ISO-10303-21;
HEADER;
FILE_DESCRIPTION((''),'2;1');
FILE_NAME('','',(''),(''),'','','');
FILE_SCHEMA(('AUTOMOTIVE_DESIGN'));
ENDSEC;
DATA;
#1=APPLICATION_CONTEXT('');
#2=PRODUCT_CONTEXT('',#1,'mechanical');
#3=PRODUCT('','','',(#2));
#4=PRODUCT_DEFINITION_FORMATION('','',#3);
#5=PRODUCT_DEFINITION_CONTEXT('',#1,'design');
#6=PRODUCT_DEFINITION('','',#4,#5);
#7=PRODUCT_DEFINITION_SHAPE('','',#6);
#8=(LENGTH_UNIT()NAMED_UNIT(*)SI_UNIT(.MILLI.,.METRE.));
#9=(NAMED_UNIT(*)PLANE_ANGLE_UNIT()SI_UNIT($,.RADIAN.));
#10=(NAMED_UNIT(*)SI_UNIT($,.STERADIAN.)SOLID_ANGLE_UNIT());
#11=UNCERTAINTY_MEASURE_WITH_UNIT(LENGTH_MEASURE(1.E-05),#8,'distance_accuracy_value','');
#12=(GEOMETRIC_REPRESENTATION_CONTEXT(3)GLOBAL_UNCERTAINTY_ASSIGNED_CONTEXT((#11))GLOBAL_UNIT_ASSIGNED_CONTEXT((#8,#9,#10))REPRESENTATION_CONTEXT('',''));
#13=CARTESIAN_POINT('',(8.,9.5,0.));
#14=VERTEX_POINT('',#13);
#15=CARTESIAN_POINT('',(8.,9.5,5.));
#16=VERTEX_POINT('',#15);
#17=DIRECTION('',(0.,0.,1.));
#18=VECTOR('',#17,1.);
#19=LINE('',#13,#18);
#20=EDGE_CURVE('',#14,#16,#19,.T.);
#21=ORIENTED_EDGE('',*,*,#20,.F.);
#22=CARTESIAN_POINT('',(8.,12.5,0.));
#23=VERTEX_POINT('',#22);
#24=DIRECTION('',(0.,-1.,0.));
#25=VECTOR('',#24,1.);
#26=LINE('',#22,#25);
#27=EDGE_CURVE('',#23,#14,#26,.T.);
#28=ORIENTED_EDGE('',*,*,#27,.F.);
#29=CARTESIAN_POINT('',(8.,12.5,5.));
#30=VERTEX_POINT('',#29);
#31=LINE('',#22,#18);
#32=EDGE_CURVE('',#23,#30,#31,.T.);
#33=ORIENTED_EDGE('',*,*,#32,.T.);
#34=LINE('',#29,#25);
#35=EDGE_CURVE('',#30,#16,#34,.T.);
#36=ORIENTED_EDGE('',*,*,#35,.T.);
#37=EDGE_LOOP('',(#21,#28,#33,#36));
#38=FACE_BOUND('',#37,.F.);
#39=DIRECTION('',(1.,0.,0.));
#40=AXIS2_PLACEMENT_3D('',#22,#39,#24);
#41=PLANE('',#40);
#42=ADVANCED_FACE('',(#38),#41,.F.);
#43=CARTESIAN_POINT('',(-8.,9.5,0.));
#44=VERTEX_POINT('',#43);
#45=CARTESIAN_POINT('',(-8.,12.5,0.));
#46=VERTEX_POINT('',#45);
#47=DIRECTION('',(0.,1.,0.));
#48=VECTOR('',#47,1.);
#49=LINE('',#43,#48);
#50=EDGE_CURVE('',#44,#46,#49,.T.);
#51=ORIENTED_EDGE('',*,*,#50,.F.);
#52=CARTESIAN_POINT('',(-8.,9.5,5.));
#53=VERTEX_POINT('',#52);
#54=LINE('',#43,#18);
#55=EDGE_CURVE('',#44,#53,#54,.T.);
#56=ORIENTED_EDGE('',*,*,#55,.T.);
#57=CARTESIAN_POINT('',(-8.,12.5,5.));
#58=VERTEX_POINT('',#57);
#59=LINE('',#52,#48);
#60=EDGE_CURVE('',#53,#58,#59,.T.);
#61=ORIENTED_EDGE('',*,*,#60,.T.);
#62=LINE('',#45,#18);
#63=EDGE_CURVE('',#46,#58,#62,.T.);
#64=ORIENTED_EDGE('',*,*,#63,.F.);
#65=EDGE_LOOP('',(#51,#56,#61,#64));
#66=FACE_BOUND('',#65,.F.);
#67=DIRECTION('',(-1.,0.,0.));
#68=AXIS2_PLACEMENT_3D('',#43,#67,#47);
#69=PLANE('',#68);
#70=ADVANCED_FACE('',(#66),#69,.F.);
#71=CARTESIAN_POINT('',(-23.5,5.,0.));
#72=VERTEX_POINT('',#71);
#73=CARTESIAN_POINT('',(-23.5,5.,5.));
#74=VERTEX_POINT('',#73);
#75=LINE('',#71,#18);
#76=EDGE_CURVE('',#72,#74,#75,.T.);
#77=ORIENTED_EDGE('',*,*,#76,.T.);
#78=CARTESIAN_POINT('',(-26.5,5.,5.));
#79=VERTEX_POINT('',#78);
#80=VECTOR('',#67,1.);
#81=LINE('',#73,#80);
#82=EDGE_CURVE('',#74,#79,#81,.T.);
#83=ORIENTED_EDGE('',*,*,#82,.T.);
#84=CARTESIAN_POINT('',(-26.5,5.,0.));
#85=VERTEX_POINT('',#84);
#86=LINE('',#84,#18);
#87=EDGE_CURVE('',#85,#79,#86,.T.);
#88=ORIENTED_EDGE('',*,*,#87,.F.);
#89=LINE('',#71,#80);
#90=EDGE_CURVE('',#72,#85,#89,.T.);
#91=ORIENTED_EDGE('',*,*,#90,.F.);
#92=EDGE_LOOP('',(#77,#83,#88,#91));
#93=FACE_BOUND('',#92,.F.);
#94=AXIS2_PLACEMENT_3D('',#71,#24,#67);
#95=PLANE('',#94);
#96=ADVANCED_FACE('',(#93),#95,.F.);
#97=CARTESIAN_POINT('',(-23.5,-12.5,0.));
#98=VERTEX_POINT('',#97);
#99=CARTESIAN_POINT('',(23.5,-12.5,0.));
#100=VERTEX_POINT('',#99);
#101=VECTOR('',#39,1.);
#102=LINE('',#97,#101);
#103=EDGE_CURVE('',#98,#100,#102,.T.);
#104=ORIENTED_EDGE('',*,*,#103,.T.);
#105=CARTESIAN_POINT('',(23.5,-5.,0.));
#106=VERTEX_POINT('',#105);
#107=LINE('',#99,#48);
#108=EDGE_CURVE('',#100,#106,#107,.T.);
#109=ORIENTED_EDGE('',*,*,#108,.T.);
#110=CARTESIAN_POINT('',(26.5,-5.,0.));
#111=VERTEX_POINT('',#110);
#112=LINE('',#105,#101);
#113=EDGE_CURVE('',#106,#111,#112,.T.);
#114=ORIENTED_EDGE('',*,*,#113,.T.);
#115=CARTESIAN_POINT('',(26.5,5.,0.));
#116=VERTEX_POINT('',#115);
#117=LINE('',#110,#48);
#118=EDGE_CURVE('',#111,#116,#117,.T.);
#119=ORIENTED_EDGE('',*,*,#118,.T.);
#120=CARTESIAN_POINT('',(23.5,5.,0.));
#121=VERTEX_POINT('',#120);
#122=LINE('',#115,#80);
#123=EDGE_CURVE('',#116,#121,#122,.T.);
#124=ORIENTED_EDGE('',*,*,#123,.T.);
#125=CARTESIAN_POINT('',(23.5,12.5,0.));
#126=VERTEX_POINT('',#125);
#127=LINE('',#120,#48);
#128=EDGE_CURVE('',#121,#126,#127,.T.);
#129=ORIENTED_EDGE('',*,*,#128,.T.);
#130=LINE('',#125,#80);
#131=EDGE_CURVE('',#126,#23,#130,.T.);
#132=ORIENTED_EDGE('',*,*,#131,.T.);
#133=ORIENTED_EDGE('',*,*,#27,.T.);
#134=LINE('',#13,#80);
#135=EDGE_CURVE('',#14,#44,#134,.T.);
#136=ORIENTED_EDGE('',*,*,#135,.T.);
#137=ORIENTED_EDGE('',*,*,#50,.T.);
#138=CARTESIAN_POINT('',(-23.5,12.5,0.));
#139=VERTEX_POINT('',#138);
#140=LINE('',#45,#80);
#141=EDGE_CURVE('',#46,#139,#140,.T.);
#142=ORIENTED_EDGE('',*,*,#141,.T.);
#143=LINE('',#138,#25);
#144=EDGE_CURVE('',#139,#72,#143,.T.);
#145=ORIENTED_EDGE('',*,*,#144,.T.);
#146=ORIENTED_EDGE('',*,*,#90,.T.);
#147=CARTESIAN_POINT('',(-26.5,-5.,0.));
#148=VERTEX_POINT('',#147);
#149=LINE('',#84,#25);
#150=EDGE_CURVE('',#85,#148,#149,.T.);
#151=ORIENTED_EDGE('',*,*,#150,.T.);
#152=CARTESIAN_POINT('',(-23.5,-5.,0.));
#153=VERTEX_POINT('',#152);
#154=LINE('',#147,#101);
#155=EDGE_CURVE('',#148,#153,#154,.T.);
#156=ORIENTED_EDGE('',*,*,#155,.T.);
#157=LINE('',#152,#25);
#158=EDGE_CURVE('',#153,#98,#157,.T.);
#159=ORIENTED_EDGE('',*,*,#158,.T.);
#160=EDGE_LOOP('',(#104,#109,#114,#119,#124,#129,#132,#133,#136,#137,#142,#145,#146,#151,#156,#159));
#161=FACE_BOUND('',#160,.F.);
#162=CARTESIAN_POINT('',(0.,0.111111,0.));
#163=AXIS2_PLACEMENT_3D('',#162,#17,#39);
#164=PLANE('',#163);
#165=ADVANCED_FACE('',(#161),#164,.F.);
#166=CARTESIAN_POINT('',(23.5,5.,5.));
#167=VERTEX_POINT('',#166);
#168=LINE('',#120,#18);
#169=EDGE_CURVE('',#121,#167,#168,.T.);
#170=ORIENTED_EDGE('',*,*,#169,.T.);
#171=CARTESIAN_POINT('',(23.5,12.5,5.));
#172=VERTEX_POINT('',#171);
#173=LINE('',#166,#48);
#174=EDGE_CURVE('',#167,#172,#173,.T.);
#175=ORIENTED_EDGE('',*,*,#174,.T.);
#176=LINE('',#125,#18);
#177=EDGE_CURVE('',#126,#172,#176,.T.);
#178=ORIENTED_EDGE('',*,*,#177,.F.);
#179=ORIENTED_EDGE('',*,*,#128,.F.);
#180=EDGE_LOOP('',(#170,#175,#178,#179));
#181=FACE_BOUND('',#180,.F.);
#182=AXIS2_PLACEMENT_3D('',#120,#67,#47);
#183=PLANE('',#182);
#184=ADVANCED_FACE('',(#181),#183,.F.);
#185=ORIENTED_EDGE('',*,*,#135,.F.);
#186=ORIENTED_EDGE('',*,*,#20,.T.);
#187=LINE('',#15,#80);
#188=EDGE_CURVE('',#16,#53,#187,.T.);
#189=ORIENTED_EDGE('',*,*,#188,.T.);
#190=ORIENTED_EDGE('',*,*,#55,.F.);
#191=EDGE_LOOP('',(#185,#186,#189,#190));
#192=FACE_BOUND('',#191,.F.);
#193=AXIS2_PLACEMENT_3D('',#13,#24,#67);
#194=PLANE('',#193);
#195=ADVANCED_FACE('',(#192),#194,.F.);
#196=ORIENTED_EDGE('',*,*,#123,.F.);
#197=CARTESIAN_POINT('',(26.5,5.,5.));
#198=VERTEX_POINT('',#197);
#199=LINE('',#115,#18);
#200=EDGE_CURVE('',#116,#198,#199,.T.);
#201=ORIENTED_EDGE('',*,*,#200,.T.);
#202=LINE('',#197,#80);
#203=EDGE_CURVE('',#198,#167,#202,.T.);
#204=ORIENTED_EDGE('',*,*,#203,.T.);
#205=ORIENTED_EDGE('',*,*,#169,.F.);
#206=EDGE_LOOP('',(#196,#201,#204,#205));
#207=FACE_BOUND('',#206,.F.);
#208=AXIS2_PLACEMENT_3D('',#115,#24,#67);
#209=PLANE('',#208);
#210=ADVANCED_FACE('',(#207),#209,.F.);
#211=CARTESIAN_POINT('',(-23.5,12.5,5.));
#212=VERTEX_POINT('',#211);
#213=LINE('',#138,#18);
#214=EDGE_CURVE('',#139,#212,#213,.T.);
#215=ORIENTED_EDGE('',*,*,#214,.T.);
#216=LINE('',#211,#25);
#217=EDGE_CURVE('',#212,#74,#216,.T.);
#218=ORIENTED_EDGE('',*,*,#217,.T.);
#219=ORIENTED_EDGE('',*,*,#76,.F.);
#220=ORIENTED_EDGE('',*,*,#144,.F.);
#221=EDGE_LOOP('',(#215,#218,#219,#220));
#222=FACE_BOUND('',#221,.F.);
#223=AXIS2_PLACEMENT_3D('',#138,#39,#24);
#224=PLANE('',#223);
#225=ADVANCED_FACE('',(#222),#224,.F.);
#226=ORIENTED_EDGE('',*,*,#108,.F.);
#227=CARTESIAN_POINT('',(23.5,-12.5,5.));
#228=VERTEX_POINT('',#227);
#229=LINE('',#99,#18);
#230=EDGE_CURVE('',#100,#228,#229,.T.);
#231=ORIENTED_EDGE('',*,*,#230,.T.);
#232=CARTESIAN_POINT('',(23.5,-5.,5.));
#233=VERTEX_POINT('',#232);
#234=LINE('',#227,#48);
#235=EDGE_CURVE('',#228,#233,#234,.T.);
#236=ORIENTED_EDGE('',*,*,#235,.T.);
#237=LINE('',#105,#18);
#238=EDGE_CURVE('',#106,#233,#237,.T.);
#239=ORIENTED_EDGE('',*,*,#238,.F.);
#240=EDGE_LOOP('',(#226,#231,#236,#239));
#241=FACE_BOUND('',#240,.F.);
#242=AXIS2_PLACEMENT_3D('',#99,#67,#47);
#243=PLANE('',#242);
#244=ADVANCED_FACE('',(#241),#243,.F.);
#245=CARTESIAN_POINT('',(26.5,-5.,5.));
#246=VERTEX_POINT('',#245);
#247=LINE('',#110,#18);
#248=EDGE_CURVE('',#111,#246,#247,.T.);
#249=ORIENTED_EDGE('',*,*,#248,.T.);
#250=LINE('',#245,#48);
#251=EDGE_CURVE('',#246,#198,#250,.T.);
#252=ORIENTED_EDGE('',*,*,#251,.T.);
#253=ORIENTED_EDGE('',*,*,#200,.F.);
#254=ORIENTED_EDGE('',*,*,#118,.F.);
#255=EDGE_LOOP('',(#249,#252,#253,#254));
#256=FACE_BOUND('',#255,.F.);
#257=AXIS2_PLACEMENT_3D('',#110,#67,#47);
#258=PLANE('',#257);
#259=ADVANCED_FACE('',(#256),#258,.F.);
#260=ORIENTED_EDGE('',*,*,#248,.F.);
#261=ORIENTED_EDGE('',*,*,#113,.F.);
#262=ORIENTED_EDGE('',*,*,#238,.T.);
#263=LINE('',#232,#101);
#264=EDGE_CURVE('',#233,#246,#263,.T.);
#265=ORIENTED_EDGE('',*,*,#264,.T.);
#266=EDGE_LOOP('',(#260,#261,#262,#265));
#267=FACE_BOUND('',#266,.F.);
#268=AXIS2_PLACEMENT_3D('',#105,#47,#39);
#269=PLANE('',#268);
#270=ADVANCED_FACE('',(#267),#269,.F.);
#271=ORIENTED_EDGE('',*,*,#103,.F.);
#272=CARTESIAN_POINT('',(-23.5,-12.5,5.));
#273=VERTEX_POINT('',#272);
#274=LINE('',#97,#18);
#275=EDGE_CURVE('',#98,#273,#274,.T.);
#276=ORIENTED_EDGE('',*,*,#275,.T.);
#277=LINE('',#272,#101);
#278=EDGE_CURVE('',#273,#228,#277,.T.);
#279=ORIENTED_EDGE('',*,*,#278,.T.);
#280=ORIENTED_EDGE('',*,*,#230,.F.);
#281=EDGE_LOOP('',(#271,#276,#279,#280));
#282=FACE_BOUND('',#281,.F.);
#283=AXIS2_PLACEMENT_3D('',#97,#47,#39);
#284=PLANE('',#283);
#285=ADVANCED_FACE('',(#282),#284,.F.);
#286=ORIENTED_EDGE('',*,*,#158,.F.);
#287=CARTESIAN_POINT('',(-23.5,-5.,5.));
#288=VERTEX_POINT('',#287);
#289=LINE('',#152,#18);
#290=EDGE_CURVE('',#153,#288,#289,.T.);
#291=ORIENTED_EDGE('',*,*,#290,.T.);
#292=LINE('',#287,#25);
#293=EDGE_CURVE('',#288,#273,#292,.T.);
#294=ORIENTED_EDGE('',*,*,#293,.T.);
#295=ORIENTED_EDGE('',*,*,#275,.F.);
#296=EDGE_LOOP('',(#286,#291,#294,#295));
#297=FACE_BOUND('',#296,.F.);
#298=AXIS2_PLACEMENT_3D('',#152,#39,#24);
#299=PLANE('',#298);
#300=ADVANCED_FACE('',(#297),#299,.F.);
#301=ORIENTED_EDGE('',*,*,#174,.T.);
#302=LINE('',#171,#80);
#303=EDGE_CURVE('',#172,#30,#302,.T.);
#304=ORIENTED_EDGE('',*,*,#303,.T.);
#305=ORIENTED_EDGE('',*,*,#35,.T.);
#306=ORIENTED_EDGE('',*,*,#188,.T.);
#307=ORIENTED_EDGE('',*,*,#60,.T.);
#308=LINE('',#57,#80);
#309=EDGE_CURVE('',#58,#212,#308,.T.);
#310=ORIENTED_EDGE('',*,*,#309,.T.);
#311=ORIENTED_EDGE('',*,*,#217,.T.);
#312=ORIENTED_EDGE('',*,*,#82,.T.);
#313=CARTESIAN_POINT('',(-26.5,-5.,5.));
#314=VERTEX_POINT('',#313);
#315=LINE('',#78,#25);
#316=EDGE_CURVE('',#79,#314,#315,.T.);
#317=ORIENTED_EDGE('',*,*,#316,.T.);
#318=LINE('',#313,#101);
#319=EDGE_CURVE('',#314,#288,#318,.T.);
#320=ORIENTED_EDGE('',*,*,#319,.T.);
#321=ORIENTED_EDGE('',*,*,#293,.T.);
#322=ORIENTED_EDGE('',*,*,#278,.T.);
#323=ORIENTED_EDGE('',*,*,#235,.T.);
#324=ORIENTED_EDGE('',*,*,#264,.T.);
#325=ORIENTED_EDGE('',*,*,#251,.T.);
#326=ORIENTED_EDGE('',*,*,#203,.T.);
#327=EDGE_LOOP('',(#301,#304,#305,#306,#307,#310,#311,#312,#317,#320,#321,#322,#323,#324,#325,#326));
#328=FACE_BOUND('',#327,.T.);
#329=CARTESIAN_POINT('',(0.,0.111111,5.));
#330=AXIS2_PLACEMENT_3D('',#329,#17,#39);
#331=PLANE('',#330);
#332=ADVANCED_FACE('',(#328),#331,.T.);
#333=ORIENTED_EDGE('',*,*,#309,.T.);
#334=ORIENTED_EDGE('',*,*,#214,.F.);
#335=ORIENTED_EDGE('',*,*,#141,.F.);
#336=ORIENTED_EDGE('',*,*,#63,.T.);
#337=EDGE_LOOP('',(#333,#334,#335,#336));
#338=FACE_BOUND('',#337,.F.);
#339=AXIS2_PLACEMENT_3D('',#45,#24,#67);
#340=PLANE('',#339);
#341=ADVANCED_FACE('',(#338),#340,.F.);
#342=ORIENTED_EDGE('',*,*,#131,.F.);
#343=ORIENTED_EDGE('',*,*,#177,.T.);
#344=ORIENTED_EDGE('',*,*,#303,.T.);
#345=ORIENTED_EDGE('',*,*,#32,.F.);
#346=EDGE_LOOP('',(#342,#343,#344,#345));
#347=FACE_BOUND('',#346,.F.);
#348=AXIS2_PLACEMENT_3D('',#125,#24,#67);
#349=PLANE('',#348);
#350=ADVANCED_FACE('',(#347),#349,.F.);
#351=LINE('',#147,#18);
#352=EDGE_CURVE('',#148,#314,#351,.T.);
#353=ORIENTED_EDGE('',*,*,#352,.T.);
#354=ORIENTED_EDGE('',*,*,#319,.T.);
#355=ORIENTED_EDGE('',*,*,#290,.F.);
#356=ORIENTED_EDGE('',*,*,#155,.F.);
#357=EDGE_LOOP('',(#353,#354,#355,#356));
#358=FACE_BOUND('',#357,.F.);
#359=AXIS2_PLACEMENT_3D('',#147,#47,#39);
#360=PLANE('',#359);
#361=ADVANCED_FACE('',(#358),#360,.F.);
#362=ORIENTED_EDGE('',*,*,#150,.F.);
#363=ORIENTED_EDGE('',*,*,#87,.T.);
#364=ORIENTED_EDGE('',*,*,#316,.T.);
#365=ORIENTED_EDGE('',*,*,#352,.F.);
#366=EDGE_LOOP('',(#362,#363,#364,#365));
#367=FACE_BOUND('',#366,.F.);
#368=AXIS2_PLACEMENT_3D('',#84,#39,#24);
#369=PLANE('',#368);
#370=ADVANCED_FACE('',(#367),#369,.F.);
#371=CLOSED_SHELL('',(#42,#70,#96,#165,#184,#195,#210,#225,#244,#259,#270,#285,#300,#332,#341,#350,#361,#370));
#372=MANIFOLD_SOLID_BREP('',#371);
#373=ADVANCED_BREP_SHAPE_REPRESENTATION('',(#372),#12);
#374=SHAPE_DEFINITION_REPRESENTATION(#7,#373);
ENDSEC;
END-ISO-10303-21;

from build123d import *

# Parameters (mm, degrees)
F1_DEPTH = 5


with BuildPart() as f1:
    # F0 (on Top) → F1 (new body)
    with BuildSketch(Plane.XY):
        Polygon((23.5, 5), (23.5, 12.5), (8, 12.5), (8, 9.5), (-8, 9.5), (-8, 12.5), (-23.5, 12.5), (-23.5, 5), (-26.5, 5), (-26.5, -5), (-23.5, -5), (-23.5, -12.5), (23.5, -12.5), (23.5, -5), (26.5, -5), (26.5, 5), align=None)
    extrude(amount=F1_DEPTH)


solid = f1.part
